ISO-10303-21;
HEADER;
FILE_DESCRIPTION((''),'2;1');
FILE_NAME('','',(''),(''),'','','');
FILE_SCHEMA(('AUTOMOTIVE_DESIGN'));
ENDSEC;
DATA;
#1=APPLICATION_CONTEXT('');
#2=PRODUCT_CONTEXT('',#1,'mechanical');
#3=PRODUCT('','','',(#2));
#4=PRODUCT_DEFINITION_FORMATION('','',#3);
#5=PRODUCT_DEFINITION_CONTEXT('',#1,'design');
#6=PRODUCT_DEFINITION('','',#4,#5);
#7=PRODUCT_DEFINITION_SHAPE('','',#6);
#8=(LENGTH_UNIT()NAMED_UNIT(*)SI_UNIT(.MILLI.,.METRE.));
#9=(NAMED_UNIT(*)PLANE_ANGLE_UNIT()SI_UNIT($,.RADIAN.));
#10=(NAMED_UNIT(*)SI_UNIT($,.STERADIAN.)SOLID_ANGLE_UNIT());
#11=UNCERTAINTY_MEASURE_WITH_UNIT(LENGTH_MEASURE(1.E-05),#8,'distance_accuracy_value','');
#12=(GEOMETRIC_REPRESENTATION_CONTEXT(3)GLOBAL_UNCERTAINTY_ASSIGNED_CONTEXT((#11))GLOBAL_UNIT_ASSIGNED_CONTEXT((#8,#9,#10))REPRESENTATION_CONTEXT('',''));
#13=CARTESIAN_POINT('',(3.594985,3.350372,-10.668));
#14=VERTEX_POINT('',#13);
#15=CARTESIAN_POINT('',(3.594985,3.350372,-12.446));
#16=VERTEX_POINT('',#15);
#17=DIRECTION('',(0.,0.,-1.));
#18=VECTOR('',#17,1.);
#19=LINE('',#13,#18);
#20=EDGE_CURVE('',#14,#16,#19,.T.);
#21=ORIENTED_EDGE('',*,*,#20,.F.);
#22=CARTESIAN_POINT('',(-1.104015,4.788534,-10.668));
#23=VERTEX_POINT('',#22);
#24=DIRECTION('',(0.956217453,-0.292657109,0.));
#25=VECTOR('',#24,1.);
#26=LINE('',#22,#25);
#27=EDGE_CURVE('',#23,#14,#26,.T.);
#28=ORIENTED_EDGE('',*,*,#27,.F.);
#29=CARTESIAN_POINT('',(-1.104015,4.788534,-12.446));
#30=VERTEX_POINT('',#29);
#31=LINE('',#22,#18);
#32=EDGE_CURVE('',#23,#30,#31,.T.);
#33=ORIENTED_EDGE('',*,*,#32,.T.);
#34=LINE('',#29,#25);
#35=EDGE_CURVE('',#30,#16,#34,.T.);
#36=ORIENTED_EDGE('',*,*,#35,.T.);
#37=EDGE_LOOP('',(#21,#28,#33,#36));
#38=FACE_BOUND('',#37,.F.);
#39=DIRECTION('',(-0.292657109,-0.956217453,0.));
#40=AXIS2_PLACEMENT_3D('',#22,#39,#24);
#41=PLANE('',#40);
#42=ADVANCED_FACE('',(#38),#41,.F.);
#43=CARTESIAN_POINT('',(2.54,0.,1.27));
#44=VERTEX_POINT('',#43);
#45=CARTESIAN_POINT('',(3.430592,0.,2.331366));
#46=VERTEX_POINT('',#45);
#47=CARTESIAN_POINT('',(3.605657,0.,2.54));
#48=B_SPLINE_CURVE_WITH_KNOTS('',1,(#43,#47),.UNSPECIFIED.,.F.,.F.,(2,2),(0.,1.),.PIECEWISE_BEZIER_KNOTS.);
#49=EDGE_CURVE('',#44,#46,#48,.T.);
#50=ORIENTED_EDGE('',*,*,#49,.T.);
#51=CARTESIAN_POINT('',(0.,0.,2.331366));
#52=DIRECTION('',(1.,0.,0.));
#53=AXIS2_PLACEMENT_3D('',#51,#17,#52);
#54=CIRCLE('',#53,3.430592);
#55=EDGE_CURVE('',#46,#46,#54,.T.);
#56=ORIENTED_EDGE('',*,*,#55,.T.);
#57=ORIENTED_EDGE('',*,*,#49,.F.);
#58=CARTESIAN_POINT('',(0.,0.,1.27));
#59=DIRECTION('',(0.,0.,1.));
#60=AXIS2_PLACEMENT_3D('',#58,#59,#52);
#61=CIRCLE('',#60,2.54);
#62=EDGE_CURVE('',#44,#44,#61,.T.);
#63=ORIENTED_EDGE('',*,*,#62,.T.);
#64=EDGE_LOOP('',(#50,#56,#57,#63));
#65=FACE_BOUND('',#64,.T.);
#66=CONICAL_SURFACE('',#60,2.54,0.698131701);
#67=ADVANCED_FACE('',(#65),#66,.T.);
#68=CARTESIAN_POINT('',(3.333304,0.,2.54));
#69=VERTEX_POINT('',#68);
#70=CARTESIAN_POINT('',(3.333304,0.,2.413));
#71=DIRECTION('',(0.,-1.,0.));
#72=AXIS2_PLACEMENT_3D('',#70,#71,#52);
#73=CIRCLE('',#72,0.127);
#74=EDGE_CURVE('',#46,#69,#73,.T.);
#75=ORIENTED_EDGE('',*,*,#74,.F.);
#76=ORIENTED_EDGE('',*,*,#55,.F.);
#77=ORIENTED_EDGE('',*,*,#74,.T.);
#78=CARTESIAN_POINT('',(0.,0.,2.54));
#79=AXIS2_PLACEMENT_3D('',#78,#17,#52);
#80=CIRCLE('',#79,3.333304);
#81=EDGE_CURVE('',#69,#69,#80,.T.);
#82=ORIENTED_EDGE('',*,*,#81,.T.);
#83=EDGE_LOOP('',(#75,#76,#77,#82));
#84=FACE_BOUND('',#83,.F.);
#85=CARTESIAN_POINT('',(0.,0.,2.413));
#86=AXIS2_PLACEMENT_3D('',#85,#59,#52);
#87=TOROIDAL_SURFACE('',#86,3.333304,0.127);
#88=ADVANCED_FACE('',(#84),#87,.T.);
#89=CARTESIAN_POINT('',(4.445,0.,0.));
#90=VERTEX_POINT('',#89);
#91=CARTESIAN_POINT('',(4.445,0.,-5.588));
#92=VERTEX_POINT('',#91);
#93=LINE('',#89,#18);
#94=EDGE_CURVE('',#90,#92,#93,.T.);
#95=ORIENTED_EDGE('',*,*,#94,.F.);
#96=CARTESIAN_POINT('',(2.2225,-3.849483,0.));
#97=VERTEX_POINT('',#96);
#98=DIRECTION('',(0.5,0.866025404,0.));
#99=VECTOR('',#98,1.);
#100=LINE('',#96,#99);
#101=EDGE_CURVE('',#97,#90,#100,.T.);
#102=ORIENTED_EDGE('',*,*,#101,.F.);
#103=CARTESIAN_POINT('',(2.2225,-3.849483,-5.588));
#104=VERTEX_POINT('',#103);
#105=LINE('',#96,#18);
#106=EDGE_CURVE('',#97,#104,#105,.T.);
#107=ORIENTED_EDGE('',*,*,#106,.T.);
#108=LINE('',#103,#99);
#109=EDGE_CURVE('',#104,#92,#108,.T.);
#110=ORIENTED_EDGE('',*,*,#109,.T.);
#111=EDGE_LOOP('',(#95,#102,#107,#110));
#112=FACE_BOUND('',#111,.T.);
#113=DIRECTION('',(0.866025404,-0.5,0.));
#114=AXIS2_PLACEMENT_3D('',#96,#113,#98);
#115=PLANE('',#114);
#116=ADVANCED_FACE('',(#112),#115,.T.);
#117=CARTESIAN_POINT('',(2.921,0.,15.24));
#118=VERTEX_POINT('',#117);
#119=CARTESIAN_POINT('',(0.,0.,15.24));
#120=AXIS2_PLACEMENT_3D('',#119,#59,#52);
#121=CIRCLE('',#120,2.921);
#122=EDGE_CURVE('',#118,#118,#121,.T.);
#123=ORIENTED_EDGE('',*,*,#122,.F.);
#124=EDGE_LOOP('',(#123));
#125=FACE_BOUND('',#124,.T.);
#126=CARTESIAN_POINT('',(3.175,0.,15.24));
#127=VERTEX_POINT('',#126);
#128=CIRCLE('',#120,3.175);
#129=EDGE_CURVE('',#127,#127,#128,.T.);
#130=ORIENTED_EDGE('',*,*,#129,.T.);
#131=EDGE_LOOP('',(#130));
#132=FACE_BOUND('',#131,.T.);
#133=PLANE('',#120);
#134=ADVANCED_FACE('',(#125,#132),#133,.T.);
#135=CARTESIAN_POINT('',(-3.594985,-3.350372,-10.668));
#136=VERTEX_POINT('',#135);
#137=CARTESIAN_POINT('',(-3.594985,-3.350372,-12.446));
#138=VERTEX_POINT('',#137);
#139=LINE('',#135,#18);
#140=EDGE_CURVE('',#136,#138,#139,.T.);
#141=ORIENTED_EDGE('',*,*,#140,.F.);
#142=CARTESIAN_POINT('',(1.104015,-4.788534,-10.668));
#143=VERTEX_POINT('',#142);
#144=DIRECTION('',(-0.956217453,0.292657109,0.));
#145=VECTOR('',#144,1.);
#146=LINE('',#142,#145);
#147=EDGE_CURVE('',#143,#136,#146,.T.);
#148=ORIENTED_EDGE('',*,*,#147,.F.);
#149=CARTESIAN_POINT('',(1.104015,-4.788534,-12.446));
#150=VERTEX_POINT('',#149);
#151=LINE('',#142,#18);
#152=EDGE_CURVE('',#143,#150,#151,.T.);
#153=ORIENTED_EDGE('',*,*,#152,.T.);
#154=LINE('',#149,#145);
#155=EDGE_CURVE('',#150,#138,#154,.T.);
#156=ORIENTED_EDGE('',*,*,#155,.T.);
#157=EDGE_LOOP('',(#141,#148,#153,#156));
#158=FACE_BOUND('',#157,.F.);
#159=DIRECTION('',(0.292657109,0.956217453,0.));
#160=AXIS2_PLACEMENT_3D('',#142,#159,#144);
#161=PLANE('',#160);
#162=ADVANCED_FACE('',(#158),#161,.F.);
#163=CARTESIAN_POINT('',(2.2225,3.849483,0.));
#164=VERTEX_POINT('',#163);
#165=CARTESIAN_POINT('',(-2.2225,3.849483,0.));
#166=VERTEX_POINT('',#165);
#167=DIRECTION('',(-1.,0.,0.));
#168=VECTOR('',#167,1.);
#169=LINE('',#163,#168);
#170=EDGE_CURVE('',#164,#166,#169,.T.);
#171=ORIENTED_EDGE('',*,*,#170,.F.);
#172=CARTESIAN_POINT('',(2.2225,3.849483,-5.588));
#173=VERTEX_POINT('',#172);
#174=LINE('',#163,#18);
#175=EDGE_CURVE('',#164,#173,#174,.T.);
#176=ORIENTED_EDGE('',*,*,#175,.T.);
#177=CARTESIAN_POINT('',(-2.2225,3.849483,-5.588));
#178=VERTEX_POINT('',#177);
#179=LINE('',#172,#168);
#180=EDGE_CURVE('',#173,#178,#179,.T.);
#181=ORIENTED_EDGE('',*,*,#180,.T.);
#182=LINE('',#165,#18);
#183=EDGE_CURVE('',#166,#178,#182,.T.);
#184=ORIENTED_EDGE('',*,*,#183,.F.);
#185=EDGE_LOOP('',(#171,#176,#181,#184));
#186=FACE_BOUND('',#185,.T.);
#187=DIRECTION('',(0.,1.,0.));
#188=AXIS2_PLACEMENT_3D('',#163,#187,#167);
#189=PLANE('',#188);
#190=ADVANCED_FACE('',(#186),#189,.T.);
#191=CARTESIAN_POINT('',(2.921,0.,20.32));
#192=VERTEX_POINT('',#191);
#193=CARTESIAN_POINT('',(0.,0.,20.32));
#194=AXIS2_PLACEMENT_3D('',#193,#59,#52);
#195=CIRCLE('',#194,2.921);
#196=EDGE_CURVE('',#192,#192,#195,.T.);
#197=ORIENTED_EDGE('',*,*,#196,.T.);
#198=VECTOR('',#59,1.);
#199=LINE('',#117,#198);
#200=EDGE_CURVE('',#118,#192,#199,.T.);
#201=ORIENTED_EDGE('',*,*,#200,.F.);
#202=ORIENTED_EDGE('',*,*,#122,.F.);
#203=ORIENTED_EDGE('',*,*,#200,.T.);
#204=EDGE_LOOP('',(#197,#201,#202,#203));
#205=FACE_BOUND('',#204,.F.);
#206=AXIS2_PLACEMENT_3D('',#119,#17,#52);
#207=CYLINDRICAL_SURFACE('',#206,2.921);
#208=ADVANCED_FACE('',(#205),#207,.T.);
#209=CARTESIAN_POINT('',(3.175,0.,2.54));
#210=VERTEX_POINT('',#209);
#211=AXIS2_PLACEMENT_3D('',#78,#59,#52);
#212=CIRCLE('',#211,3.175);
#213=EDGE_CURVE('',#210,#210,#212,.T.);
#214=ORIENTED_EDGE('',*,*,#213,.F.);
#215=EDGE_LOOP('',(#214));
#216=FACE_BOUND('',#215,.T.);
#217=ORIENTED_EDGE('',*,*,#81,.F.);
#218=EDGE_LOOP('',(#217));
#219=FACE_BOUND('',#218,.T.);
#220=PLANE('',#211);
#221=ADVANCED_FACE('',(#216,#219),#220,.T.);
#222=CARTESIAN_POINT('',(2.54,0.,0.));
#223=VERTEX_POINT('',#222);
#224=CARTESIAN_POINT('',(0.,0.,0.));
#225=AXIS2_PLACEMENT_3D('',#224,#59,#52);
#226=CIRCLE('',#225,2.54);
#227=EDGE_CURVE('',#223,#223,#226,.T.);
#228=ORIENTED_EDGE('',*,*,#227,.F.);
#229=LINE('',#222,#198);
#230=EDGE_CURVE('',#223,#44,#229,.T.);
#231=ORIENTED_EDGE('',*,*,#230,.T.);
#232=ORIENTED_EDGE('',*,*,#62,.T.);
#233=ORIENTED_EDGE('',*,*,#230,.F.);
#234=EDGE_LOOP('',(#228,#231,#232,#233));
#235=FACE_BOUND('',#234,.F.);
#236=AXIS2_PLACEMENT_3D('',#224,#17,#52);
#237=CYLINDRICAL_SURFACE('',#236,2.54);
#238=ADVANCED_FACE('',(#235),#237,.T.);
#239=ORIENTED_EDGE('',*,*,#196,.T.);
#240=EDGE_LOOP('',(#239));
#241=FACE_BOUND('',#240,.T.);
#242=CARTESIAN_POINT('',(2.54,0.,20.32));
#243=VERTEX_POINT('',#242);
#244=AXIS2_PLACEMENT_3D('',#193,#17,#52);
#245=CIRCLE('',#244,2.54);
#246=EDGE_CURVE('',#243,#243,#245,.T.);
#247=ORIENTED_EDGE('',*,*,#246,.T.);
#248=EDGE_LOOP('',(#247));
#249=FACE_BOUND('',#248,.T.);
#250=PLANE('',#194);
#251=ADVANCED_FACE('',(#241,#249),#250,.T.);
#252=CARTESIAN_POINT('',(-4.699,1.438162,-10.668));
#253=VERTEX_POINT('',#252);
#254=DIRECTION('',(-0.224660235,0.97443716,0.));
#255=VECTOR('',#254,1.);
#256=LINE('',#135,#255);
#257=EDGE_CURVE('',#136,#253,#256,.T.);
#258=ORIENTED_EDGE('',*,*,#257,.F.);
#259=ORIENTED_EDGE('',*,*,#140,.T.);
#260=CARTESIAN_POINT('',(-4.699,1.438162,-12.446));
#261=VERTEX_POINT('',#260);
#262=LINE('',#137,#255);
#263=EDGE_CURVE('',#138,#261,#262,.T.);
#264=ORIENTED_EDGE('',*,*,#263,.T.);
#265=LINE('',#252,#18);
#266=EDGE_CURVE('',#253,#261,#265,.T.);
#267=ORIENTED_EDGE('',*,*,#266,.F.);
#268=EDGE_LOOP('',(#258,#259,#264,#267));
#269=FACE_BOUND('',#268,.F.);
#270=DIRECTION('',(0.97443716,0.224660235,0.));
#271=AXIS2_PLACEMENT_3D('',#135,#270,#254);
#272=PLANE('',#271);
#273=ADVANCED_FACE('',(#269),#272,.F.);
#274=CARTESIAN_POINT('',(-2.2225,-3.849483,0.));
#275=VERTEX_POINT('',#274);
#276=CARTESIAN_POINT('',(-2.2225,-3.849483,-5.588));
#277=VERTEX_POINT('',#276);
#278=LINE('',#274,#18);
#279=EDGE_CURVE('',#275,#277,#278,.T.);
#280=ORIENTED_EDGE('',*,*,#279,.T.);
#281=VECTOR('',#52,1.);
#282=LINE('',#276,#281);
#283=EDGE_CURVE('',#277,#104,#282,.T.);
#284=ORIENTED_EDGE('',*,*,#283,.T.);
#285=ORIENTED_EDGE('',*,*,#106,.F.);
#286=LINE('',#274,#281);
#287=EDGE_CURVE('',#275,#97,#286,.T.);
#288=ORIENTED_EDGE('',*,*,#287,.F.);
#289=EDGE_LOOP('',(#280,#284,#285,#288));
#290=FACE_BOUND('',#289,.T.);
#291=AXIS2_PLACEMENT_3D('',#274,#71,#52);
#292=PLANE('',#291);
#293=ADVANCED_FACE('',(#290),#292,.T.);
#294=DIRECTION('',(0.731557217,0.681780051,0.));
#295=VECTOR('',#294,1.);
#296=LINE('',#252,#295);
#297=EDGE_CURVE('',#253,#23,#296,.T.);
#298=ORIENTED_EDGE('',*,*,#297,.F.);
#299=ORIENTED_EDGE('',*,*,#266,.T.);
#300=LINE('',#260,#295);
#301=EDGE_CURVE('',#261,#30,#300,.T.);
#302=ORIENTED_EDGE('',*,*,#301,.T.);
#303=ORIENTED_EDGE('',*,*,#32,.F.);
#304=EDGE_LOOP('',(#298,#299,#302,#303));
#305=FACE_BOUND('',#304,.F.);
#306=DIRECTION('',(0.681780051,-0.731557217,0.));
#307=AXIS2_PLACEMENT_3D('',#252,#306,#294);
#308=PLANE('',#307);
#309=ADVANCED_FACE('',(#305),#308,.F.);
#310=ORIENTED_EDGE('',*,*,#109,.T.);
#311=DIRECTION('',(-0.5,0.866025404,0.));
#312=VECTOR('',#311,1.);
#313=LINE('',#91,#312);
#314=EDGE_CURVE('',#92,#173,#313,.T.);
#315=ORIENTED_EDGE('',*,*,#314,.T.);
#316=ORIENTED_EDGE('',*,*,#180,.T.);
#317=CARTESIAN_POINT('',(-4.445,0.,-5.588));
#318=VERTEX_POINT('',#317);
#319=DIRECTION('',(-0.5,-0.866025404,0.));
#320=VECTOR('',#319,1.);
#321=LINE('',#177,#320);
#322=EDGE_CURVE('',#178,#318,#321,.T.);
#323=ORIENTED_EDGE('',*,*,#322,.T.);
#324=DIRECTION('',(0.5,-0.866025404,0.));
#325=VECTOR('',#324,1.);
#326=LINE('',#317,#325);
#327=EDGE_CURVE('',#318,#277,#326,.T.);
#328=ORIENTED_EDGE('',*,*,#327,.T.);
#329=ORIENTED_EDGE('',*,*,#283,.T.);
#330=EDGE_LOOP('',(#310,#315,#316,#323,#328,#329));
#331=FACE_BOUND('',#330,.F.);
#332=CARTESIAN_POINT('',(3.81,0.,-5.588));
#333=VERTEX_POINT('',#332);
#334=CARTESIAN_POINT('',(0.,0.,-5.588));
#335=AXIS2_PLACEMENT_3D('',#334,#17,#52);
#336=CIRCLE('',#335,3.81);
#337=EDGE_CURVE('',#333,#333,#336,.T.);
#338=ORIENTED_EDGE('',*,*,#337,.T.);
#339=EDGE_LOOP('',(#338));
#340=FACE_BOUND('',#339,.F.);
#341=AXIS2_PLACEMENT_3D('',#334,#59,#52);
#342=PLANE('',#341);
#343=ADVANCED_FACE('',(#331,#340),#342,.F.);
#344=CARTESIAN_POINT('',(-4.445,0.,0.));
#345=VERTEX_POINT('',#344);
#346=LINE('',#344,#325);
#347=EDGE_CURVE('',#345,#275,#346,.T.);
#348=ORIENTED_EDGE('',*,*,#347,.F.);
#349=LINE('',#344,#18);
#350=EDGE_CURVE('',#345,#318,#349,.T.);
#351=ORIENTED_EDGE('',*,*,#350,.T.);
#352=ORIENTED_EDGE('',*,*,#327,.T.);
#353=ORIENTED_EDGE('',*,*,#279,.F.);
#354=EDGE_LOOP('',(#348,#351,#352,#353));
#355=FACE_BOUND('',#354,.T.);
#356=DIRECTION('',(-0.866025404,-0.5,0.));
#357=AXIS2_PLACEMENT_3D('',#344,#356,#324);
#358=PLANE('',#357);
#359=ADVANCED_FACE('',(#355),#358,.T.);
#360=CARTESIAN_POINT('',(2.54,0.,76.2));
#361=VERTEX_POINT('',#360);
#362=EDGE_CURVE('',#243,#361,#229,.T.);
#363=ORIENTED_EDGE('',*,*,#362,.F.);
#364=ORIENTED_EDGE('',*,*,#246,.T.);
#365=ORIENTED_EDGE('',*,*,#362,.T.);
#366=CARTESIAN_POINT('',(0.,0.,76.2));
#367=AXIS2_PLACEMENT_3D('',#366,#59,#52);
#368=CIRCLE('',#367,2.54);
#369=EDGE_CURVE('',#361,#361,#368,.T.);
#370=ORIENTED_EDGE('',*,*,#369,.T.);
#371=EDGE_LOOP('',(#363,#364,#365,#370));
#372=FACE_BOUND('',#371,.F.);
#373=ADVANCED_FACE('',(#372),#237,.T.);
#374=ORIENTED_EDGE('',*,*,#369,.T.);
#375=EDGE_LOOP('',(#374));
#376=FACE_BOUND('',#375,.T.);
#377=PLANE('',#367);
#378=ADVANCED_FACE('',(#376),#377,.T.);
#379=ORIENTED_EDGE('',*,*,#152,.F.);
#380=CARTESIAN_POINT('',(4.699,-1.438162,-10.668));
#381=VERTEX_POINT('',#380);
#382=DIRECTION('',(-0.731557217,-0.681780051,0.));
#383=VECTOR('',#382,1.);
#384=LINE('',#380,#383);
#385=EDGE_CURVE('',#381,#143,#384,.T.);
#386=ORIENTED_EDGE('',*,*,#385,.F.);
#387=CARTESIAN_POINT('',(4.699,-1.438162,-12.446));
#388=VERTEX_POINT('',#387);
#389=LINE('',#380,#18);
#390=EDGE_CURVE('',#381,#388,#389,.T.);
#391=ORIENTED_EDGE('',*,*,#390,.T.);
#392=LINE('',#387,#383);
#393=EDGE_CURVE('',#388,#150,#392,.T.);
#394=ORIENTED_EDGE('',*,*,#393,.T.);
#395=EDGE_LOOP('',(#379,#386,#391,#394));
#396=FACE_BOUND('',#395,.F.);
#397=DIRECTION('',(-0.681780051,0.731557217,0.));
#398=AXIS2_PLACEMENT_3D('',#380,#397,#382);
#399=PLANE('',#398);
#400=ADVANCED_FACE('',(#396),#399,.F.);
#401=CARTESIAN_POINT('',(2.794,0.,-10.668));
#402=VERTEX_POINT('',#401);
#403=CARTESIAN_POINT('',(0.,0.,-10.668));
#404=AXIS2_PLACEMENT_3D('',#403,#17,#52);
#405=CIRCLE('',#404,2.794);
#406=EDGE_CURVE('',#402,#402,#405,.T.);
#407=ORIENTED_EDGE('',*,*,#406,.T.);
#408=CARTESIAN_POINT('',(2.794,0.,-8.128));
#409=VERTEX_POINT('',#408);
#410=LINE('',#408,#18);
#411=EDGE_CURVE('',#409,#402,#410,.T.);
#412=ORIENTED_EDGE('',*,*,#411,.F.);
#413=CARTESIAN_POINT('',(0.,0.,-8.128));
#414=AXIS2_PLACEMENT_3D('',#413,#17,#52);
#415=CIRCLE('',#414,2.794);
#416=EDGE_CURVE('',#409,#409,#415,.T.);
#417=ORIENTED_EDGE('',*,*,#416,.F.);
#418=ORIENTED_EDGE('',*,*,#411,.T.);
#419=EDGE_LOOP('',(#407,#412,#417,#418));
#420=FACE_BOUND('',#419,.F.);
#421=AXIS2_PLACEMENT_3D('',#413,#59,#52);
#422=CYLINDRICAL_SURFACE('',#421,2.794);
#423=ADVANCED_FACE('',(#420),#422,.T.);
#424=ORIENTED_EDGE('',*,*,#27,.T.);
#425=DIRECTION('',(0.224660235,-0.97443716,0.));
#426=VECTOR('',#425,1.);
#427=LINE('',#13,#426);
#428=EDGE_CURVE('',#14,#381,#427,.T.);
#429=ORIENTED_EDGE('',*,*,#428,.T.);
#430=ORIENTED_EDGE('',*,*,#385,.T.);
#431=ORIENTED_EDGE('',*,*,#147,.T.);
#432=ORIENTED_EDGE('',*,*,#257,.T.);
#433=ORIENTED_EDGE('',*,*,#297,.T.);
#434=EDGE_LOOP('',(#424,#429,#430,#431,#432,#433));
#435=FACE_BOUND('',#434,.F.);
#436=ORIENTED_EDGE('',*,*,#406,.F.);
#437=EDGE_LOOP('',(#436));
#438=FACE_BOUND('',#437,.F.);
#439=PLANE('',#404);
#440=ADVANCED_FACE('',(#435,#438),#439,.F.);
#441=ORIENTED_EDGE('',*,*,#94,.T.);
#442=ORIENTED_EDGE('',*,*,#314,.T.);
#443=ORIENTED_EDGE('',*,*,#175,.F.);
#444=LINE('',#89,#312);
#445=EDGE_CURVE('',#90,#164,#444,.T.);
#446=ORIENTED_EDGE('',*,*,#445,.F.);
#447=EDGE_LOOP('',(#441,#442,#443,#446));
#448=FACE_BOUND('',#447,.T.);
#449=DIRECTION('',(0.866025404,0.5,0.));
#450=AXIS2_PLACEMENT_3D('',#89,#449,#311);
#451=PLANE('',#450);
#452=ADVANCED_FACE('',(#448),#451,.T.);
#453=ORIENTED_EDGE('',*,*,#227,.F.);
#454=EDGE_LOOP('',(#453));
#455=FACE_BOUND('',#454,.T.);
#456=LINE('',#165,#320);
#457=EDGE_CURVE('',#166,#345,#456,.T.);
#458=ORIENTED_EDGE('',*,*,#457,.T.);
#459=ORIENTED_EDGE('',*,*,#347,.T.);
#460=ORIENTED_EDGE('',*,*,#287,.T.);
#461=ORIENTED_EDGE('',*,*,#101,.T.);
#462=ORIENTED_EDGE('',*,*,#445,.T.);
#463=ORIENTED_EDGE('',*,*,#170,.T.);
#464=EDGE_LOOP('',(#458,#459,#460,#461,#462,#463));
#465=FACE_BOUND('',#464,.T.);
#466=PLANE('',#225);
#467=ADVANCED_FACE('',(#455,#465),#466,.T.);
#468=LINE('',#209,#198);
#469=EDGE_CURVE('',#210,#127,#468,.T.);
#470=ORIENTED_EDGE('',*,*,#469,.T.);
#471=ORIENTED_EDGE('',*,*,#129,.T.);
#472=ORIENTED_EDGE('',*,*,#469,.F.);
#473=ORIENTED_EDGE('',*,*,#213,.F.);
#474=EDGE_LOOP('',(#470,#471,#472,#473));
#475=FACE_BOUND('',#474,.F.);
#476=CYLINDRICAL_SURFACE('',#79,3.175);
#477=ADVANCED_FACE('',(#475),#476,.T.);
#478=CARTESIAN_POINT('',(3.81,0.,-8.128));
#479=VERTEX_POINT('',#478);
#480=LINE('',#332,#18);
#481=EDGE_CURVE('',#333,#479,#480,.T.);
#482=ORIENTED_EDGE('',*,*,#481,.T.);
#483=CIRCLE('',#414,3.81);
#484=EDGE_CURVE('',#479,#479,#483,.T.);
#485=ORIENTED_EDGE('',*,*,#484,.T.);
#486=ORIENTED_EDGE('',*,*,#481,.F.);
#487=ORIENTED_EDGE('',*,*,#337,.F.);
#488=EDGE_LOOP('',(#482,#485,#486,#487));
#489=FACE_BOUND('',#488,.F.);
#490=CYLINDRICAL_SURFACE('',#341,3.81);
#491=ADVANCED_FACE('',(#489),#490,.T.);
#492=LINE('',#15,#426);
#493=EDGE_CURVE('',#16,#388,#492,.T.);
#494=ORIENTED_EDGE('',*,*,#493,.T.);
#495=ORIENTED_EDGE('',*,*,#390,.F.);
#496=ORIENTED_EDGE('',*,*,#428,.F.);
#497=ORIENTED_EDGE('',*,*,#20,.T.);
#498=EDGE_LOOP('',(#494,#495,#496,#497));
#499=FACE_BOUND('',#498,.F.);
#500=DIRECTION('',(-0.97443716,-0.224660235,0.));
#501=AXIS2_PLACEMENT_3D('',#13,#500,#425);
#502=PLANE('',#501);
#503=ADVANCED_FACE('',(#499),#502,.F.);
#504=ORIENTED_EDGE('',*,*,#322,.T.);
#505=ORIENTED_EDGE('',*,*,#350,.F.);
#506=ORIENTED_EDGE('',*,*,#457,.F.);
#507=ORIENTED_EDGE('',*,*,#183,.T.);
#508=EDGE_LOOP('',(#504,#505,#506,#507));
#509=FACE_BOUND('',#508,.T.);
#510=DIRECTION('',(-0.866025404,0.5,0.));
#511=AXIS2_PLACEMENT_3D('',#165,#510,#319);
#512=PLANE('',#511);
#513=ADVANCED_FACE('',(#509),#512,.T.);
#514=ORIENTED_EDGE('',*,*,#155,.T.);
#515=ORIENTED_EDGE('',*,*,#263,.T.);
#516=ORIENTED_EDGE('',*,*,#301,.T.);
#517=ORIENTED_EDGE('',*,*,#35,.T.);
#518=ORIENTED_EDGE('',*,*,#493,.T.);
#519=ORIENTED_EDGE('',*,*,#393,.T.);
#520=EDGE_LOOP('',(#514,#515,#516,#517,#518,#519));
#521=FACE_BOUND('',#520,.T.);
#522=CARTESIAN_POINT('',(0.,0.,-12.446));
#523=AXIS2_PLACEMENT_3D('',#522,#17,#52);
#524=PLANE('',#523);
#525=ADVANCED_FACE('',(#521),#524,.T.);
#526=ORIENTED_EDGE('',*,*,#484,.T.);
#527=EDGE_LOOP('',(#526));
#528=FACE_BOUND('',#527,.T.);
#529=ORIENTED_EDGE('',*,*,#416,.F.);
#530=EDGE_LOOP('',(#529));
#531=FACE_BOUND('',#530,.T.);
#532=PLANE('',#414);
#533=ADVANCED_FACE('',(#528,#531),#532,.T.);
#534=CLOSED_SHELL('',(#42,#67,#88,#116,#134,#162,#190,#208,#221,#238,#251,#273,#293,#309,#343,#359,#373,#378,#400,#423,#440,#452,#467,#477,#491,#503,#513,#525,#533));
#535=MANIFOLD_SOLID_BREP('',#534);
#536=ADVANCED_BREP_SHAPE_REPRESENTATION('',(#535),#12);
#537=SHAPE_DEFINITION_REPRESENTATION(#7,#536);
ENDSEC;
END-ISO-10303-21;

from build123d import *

# Parameters (mm, degrees)
F0_R      = 2.54
F1_DEPTH  = 76.2
F3_DEPTH  = 5.588
F4_R      = 3.81
F5_DEPTH  = 2.54
F6_R      = 2.794
F7_DEPTH  = 2.54
F9_DEPTH  = 1.778
F11_R     = 2.54
F12_DEPTH = 1.27
F12_TAPER = -40
F13_R     = 0.127
F14_R     = 3.175
F15_DEPTH = 12.7
F16_R     = 2.921
F17_DEPTH = 5.08


with BuildPart() as f1:
    # F0 (on Top) → F1 (new body)
    with BuildSketch(Plane.XY):
        Circle(F0_R)
    extrude(amount=F1_DEPTH)

    # F2 (on Top) → F3 (join)
    with BuildSketch(Plane.XY):
        Polygon((2.2225, -3.8494829198), (4.445, 0), (2.2225, 3.8494829198), (-2.2225, 3.8494829198), (-4.445, 0), (-2.2225, -3.8494829198), align=None)
    extrude(amount=-F3_DEPTH)

    # F4 (on face) → F5 (join)
    with BuildSketch(Plane(origin=(0, 0, -5.588), x_dir=(1, 0, 0), z_dir=(0, 0, -1))):
        Circle(F4_R)
    extrude(amount=F5_DEPTH)

    # F6 (on face) → F7 (join)
    with BuildSketch(Plane(origin=(0, 0, -8.128), x_dir=(1, 0, 0), z_dir=(0, 0, -1))):
        Circle(F6_R)
    extrude(amount=F7_DEPTH)

    # F8 (on face) → F9 (join)
    with BuildSketch(Plane(origin=(0, 0, -10.668), x_dir=(1, 0, 0), z_dir=(0, 0, -1))):
        Polygon((-3.5949849635, 3.3503722934), (-4.699, -1.4381621579), (-1.1040150365, -4.7885344513), (3.5949849635, -3.3503722934), (4.699, 1.4381621579), (1.1040150365, 4.7885344513), align=None)
    extrude(amount=F9_DEPTH)



with BuildPart() as f12:
    # F11 (on offset) → F12 (new body)
    with BuildSketch(Plane.XY.offset(1.27)):
        Circle(F11_R)
    extrude(amount=F12_DEPTH, taper=F12_TAPER)

    # F13
    f13_edges = [f12.edges().sort_by_distance(p)[0] for p in [
        (-3.605657, 0, 2.54),
    ]]
    fillet(f13_edges, radius=F13_R)


with BuildPart() as f1_1:
    add(f1.part)

    add(f12.part)  # F15 merges F12
    # F14 (on face) → F15 (join)
    with BuildSketch(Plane.XY.offset(2.54)):
        Circle(F14_R)
    extrude(amount=F15_DEPTH)

    # F16 (on face) → F17 (join)
    with BuildSketch(Plane.XY.offset(15.24)):
        Circle(F16_R)
    extrude(amount=F17_DEPTH)


solid = f1_1.part
